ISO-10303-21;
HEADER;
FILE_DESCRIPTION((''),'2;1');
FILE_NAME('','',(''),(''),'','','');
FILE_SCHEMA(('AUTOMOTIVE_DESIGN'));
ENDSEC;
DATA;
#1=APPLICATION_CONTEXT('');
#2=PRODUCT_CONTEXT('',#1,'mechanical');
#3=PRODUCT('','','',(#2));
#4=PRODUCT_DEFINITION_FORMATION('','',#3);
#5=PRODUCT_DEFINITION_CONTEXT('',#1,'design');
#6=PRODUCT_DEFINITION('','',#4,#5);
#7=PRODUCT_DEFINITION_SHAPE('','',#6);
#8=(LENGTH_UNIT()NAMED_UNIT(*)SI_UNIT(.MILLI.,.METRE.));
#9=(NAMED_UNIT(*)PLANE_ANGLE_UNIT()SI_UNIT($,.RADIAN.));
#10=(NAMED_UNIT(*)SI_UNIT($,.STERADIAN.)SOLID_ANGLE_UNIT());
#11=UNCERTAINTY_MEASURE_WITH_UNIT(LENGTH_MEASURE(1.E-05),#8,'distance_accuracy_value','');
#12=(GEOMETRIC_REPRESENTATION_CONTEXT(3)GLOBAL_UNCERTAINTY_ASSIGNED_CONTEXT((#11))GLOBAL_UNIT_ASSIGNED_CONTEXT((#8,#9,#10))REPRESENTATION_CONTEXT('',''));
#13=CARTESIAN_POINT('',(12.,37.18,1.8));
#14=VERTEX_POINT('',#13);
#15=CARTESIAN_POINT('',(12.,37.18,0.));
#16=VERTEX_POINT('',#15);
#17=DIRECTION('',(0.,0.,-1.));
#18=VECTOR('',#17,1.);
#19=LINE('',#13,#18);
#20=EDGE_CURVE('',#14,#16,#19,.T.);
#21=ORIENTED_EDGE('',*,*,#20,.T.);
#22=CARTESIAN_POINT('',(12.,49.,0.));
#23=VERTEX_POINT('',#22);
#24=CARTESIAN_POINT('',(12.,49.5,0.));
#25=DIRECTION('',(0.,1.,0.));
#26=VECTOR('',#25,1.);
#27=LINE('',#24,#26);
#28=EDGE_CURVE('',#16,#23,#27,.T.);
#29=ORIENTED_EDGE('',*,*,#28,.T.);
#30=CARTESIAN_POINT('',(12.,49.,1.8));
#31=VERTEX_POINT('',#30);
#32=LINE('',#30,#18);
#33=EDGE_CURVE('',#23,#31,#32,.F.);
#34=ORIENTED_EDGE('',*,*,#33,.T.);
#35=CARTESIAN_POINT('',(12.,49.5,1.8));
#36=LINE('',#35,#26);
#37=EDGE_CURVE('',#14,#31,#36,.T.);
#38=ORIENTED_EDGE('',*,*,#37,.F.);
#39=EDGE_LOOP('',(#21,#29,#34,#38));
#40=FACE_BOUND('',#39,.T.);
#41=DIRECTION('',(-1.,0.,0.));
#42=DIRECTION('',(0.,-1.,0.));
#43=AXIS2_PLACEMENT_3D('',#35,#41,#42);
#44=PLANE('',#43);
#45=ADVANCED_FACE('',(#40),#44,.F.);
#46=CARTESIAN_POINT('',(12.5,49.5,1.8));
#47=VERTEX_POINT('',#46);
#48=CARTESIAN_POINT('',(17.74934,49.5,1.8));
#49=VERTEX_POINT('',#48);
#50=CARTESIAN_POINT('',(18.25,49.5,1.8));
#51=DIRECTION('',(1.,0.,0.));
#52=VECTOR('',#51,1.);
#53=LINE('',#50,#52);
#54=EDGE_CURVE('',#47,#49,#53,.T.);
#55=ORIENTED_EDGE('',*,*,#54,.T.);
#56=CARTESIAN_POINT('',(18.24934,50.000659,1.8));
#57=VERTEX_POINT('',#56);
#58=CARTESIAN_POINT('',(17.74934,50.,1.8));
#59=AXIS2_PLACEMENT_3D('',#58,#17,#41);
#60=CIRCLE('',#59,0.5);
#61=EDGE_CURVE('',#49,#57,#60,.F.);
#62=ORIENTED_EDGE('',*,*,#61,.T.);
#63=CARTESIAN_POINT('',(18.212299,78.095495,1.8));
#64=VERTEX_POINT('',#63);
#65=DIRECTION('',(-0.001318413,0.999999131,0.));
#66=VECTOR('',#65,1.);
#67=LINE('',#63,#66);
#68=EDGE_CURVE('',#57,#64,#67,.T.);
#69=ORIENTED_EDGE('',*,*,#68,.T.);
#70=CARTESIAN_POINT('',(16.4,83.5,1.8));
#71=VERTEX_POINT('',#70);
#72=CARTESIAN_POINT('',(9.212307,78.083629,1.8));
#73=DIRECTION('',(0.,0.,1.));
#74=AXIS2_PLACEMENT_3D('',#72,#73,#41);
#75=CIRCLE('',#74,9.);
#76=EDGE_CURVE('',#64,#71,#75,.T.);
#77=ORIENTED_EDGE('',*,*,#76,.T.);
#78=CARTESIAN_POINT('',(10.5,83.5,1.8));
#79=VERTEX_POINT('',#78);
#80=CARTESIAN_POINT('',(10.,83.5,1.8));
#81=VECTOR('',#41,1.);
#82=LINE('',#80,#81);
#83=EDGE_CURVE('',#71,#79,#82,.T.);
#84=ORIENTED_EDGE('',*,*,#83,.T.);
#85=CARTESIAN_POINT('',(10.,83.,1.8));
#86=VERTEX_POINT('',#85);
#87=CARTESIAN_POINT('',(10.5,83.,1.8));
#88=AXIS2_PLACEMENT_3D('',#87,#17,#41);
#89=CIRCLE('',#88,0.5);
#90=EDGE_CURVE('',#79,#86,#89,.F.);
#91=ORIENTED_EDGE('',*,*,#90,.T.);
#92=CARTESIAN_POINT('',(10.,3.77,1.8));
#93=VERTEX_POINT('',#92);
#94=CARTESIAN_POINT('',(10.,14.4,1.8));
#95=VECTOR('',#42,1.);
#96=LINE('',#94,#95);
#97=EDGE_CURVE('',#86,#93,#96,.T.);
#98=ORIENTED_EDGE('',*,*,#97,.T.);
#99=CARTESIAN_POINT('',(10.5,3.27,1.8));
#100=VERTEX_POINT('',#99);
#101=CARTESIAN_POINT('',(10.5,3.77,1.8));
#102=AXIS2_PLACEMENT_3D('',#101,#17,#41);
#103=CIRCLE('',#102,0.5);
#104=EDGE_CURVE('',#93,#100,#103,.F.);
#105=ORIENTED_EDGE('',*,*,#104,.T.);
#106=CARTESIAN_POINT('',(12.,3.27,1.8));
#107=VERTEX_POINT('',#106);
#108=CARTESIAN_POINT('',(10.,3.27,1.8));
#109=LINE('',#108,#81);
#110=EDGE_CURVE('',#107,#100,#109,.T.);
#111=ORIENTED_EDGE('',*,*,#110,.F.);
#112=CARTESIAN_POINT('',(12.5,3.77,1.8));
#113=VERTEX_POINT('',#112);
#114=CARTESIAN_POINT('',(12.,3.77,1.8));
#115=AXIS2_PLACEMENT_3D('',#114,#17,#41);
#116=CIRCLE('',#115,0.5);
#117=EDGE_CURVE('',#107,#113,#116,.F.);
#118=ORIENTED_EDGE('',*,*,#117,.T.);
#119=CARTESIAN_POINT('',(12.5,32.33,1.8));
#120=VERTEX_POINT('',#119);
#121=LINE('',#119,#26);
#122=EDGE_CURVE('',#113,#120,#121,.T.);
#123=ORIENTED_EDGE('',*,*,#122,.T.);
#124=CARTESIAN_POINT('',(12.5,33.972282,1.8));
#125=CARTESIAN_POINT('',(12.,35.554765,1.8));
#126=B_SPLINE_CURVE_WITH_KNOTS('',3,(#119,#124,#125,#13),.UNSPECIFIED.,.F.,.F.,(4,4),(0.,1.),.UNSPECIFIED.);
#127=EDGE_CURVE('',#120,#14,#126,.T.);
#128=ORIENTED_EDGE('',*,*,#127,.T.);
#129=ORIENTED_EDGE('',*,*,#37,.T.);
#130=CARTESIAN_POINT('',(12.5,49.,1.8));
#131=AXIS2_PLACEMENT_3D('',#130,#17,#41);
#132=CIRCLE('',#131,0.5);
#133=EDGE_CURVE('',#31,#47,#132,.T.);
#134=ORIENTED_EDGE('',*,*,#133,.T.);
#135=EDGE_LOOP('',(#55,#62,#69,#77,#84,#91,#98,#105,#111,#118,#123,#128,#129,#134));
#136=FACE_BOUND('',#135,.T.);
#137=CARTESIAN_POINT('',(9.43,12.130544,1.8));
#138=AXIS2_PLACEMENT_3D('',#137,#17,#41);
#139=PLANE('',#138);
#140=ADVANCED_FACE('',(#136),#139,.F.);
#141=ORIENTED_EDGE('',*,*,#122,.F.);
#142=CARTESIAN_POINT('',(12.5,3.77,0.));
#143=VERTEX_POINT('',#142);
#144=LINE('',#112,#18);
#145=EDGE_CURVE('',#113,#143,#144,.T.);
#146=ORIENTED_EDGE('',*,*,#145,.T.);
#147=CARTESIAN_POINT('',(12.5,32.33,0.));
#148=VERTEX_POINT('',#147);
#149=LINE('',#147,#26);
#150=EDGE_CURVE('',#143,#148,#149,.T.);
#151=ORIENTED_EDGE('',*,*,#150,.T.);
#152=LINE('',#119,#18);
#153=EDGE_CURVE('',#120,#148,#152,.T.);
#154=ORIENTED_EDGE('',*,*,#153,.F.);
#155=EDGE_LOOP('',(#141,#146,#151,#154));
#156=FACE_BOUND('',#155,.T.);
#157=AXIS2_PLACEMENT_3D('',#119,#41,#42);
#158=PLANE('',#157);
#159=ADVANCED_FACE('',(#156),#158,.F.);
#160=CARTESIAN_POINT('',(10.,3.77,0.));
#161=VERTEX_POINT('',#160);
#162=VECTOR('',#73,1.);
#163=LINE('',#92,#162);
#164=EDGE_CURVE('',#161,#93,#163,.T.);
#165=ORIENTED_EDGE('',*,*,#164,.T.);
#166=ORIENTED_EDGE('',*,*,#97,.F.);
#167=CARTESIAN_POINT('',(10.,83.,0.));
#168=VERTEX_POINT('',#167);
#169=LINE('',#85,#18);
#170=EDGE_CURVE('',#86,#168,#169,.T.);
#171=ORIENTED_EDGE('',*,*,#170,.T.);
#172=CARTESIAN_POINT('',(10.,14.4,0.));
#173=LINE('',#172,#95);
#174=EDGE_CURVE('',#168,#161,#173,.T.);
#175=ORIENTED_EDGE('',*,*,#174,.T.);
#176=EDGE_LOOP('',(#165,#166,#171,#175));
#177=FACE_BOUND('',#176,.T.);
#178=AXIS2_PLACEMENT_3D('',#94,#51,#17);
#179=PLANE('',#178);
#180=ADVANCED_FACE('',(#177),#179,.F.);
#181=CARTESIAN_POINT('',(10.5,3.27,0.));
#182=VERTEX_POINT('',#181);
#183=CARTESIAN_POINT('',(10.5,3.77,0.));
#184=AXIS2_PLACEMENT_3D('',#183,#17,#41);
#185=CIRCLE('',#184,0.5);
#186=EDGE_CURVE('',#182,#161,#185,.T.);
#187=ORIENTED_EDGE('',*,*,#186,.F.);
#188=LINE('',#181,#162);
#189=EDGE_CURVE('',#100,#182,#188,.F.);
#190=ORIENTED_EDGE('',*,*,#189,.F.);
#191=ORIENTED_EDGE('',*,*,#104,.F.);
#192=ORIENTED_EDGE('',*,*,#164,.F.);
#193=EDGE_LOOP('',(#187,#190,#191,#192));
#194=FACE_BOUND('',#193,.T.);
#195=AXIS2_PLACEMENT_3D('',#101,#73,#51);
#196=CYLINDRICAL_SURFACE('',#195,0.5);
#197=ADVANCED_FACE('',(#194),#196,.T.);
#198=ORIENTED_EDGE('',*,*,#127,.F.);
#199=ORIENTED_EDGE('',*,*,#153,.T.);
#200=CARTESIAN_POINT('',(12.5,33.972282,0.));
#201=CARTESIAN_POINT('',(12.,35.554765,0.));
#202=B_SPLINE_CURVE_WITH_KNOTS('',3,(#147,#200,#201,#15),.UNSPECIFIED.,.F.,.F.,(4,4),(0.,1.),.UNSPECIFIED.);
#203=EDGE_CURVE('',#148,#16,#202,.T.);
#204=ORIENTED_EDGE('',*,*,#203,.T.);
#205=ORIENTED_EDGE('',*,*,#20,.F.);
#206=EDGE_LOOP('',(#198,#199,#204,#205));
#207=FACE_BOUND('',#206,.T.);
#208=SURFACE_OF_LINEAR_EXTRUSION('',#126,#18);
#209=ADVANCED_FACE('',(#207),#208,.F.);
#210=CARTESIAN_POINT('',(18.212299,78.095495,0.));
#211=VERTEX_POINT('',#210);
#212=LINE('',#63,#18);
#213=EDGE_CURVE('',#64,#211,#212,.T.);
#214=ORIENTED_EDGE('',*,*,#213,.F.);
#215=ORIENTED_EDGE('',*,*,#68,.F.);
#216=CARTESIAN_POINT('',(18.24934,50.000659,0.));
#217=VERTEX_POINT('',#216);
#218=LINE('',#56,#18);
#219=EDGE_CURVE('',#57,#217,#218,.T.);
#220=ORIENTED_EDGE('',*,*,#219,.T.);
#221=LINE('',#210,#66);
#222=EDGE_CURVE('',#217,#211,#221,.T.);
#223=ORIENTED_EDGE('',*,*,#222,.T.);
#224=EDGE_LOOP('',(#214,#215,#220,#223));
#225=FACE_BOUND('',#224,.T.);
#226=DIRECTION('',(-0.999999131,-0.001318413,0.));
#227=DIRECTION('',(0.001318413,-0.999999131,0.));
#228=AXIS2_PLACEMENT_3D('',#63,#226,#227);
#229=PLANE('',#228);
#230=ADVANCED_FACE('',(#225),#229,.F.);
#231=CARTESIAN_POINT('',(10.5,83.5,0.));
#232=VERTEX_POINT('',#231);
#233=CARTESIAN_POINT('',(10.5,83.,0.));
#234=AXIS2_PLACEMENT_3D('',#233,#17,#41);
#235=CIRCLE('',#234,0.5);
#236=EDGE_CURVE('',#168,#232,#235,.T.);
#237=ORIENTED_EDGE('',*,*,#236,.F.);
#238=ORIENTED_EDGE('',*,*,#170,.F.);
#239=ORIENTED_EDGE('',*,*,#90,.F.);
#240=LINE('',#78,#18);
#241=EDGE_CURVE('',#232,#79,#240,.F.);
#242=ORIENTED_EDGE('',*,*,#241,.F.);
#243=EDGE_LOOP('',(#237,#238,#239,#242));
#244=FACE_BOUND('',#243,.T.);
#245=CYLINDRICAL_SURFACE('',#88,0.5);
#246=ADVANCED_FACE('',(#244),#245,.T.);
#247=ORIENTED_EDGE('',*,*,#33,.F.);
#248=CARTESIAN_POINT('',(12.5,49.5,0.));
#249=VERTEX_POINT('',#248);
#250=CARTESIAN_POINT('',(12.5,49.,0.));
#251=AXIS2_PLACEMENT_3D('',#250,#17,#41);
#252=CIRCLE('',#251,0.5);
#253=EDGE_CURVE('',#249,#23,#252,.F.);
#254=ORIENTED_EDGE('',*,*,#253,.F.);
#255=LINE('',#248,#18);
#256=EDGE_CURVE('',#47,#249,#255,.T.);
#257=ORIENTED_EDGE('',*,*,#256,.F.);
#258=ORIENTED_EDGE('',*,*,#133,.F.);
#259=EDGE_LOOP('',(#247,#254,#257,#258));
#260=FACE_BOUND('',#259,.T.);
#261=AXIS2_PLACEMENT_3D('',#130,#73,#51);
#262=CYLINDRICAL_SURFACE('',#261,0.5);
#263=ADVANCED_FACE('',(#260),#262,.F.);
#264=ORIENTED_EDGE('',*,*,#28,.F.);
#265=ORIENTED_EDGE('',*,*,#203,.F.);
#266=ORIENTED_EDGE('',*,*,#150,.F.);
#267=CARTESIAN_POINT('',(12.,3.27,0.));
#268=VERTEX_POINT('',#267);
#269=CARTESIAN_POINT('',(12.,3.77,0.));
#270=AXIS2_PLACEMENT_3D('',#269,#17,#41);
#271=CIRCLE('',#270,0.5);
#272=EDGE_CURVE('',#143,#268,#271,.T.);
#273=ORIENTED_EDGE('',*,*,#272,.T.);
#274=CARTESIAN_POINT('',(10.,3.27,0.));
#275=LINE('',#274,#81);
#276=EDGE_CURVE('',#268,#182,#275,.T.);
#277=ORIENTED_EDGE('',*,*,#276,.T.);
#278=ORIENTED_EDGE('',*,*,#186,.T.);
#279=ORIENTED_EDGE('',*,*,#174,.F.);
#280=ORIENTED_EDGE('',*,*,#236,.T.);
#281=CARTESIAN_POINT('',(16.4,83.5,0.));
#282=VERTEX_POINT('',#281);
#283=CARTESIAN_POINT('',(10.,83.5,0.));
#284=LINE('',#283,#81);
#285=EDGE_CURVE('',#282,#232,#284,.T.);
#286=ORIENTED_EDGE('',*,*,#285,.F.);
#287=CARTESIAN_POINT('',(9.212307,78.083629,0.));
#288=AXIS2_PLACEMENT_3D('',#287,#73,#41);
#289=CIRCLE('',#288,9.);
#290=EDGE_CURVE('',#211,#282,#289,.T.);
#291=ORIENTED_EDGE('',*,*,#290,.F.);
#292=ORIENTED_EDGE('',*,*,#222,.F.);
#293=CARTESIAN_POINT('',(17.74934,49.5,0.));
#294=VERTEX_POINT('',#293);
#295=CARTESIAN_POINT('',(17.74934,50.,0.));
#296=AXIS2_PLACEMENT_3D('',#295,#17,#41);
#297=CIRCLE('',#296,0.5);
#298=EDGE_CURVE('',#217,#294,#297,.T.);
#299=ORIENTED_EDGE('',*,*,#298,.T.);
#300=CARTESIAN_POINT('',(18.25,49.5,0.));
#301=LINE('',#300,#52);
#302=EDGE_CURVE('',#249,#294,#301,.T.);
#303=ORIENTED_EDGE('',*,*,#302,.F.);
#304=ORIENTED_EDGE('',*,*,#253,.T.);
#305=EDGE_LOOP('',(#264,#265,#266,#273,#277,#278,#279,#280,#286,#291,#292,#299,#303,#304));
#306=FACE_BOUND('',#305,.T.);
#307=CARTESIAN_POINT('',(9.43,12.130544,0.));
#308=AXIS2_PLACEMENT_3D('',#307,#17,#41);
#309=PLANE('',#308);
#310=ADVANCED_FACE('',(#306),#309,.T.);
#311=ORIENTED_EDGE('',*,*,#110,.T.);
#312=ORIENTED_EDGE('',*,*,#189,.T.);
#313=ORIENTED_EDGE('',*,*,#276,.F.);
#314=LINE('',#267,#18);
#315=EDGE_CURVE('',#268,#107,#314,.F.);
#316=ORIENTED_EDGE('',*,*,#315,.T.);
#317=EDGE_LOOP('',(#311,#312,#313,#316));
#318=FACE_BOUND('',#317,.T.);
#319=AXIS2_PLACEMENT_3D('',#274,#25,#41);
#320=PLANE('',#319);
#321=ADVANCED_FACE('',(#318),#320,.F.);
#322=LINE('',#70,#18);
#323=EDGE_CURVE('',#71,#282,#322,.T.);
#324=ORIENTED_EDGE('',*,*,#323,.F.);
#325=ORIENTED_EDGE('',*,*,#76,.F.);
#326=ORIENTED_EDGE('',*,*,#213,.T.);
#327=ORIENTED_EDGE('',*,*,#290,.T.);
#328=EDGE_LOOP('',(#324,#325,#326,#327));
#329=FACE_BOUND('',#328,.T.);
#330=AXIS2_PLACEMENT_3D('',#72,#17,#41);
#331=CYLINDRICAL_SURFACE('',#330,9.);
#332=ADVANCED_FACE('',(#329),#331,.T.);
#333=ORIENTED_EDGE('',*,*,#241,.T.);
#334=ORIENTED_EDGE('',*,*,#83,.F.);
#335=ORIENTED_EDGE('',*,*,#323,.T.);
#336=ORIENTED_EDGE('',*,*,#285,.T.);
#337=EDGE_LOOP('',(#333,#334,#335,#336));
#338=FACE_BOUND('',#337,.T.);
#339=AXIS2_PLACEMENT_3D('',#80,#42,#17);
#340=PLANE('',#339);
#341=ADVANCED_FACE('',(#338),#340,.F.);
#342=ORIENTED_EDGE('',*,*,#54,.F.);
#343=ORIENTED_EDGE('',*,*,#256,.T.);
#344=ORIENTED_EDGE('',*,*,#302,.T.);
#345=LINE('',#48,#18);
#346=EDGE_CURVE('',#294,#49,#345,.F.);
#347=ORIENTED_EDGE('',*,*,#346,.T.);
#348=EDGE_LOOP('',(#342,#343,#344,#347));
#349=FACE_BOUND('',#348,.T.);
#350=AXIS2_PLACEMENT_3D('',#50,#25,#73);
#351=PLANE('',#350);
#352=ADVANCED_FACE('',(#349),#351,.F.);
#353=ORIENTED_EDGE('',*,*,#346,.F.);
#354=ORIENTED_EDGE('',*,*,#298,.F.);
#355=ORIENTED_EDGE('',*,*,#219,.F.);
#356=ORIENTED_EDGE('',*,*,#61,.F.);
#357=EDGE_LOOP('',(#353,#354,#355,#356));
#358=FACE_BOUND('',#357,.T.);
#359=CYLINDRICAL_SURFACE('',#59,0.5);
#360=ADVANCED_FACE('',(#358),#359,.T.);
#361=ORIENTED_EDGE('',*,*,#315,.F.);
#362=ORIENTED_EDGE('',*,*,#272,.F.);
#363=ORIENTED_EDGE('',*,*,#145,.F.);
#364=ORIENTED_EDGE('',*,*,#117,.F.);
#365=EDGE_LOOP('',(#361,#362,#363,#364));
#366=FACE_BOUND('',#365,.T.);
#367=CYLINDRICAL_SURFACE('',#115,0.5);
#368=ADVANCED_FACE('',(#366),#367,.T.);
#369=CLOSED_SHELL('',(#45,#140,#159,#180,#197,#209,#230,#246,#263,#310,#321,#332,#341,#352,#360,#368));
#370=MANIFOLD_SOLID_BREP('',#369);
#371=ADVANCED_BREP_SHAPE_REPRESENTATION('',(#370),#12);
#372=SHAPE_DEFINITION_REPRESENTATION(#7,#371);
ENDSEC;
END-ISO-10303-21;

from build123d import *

# Parameters (mm, degrees)
BOSS_EXTRUDE1_DEPTH = 1.8
FILLET1_R           = 0.5
SKETCH5_R           = 2.5
SKETCH5_R_2         = 1.75
BOSS_EXTRUDE2_DEPTH = 1.8
FILLET2_R           = 1
CUT_EXTRUDE1_DEPTH  = 86.48993183
FILLET3_R           = 0.5


with BuildPart() as part:
    # Sketch1 → Boss-Extrude1 (new body)
    with BuildSketch(Plane.XY):
        with BuildLine():
            Line((0, 4.5), (0, 6.5))
            Line((0, 6.5), (6.1, 6.5))
            Line((6.1, 6.5), (6.1, 10.5))
            Line((6.1, 10.5), (10, 14.4))
            Line((10, 14.4), (10, 83.5))
            Line((10, 83.5), (16.4, 83.5))
            ThreePointArc((16.4, 83.5), (17.745328581, 80.945017946), (18.212299295, 78.095495067))
            Line((18.212299295, 78.095495067), (18.25, 49.5))
            Line((18.25, 49.5), (12, 49.5))
            Line((12, 49.5), (12, 37.18))
            add(Edge.make_bspline(
                [(12, 37.18), (12, 35.554764974), (12.5, 33.972282338), (12.5, 32.33)],
                knots=[0, 0, 0, 0, 1, 1, 1, 1], degree=3))
            Line((12.5, 32.33), (12.5, 3.07))
            ThreePointArc((12.5, 3.07), (11.600817818, 0.899182182), (9.43, 0))
            ThreePointArc((9.43, 0), (4.205660329, 1.182650422), (0, 4.5))
        make_face()
    extrude(amount=BOSS_EXTRUDE1_DEPTH)

    # Fillet1
    fillet1_edges = [part.edges().sort_by_distance(p)[0] for p in [
        (0, 6.5, 0.9),
        (6.1, 6.5, 0.9),
        (6.1, 10.5, 0.9),
        (10, 14.4, 0.9),
        (10, 83.5, 0.9),
        (18.25, 49.5, 0.9),
        (12, 49.5, 0.9),
    ]]
    fillet(fillet1_edges, radius=FILLET1_R)

    # Sketch5 → Boss-Extrude2 (add)
    # profile 1 of 3: a face of its own
    with BuildSketch(Plane(origin=(0, 0, 0), x_dir=(-1, 0, 0), z_dir=(0, 0, -1))):
        with Locations((-9.5, -2.499832541)):
            Circle(SKETCH5_R)
        with Locations((-9.5, -2.499832541)):
            Circle(SKETCH5_R_2, mode=Mode.SUBTRACT)
    # profile 2 of 3: a face of its own
    with BuildSketch(Plane(origin=(0, 0, 0), x_dir=(-1, 0, 0), z_dir=(0, 0, -1))):
        with BuildLine():
            ThreePointArc((-11.824045318, -1.578521867), (-9.031018815, -0.044215175), (-7, -2.499832541))
            Line((-7, -2.499832541), (-7, 0.245881701))
            ThreePointArc((-7, 0.245881701), (-8.2087959, 0.061626967), (-9.43, 0))
            ThreePointArc((-9.43, 0), (-10.256451345, 0.113333266), (-11.021883517, 0.444965358))
            Line((-11.021883517, 0.444965358), (-11.824045318, -1.578521867))
        make_face()
    # profile 3 of 3: a face of its own
    with BuildSketch(Plane(origin=(0, 0, 0), x_dir=(-1, 0, 0), z_dir=(0, 0, -1))):
        with BuildLine():
            ThreePointArc((-9.43, 0), (-8.2087959, 0.061626967), (-7, 0.245881701))
            Line((-7, 0.245881701), (-7, 0.500167459))
            Line((-7, 0.500167459), (-11, 0.500167459))
            Line((-11, 0.500167459), (-11.021883517, 0.444965358))
            ThreePointArc((-11.021883517, 0.444965358), (-10.256451345, 0.113333266), (-9.43, 0))
        make_face()
    extrude(amount=-BOSS_EXTRUDE2_DEPTH)

    # Fillet2
    fillet2_edges = [part.edges().sort_by_distance(p)[0] for p in [
        (7, 0.245881701, 0.9),
        (11.021883517, 0.444965358, 0.9),
    ]]
    fillet(fillet2_edges, radius=FILLET2_R)

    # Sketch6 → Cut-Extrude1 (cut, through all)
    with BuildSketch(Plane.XY.offset(1.8)):
        Polygon((10, 23.170696855), (10, 3.27), (15.071898879, 3.27), (15.071898879, -7.898815654), (-3.496989456, -7.898815654), (-3.496989456, 23.170696855), align=None)
    extrude(amount=-CUT_EXTRUDE1_DEPTH, mode=Mode.SUBTRACT)

    # Fillet3
    fillet3_edges = [part.edges().sort_by_distance(p)[0] for p in [
        (12.5, 3.27, 0.9),
        (10, 3.27, 0.9),
    ]]
    fillet(fillet3_edges, radius=FILLET3_R)


solid = part.part
